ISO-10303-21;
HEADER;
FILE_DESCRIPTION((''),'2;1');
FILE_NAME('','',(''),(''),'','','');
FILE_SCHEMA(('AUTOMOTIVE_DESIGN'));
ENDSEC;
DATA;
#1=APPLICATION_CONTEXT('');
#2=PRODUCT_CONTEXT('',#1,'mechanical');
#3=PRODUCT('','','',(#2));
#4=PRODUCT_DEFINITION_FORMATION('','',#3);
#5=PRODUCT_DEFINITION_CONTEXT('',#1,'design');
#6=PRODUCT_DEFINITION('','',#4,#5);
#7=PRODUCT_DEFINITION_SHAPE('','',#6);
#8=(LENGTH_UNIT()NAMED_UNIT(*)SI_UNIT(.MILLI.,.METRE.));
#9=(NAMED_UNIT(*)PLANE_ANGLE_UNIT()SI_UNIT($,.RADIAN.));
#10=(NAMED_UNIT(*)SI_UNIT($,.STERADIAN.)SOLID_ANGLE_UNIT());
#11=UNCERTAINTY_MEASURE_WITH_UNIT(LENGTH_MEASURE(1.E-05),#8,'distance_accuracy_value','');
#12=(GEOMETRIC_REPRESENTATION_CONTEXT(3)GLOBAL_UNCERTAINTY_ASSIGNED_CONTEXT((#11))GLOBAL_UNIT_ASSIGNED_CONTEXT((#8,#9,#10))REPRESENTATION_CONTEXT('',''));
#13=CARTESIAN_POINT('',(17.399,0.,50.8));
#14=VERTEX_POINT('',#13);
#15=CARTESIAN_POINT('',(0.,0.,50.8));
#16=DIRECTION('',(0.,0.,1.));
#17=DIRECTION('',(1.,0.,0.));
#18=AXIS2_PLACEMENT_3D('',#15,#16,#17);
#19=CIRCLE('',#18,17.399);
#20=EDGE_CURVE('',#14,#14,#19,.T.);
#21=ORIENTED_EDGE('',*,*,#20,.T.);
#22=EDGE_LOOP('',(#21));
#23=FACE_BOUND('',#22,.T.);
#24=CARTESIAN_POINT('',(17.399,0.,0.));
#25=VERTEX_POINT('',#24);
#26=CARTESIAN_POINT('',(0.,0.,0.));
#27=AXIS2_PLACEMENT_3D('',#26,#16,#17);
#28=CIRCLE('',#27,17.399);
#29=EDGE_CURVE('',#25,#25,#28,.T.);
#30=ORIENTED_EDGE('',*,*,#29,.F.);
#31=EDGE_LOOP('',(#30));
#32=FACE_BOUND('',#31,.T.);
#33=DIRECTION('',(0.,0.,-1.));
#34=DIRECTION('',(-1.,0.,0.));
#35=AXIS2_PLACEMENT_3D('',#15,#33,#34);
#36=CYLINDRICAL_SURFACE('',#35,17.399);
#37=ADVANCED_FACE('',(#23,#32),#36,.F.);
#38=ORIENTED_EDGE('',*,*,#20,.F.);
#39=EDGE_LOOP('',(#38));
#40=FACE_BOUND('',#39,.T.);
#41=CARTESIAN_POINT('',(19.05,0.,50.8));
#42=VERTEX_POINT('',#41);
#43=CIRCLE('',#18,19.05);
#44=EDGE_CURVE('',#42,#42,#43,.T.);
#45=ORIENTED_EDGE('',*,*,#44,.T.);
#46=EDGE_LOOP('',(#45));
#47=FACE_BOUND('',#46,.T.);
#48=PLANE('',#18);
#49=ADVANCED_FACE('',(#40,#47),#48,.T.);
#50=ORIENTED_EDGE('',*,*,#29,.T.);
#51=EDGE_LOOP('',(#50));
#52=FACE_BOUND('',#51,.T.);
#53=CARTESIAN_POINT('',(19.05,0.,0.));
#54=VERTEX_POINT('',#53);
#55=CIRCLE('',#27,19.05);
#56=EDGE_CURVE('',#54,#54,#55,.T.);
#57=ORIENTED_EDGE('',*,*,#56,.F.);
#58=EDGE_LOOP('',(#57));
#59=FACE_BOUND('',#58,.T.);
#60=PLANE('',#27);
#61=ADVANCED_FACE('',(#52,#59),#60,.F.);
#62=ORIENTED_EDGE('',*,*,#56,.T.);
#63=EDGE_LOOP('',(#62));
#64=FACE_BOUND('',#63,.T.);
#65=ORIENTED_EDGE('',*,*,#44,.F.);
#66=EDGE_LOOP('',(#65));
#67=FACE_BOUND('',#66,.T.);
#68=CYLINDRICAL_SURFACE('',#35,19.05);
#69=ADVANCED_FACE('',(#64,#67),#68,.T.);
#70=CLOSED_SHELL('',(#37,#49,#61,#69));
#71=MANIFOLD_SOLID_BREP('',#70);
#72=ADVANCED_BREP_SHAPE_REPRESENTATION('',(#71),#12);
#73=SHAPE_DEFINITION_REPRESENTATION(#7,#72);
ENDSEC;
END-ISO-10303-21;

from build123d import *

# Parameters (mm, degrees)
SKETCH1_R      = 19.05
SKETCH1_R_2    = 17.399
EXTRUDE1_DEPTH = 50.8


with BuildPart() as part:
    # Sketch1 → Extrude1 (new body)
    with BuildSketch(Plane.XY):
        Circle(SKETCH1_R)
        Circle(SKETCH1_R_2, mode=Mode.SUBTRACT)
    extrude(amount=EXTRUDE1_DEPTH)


solid = part.part
